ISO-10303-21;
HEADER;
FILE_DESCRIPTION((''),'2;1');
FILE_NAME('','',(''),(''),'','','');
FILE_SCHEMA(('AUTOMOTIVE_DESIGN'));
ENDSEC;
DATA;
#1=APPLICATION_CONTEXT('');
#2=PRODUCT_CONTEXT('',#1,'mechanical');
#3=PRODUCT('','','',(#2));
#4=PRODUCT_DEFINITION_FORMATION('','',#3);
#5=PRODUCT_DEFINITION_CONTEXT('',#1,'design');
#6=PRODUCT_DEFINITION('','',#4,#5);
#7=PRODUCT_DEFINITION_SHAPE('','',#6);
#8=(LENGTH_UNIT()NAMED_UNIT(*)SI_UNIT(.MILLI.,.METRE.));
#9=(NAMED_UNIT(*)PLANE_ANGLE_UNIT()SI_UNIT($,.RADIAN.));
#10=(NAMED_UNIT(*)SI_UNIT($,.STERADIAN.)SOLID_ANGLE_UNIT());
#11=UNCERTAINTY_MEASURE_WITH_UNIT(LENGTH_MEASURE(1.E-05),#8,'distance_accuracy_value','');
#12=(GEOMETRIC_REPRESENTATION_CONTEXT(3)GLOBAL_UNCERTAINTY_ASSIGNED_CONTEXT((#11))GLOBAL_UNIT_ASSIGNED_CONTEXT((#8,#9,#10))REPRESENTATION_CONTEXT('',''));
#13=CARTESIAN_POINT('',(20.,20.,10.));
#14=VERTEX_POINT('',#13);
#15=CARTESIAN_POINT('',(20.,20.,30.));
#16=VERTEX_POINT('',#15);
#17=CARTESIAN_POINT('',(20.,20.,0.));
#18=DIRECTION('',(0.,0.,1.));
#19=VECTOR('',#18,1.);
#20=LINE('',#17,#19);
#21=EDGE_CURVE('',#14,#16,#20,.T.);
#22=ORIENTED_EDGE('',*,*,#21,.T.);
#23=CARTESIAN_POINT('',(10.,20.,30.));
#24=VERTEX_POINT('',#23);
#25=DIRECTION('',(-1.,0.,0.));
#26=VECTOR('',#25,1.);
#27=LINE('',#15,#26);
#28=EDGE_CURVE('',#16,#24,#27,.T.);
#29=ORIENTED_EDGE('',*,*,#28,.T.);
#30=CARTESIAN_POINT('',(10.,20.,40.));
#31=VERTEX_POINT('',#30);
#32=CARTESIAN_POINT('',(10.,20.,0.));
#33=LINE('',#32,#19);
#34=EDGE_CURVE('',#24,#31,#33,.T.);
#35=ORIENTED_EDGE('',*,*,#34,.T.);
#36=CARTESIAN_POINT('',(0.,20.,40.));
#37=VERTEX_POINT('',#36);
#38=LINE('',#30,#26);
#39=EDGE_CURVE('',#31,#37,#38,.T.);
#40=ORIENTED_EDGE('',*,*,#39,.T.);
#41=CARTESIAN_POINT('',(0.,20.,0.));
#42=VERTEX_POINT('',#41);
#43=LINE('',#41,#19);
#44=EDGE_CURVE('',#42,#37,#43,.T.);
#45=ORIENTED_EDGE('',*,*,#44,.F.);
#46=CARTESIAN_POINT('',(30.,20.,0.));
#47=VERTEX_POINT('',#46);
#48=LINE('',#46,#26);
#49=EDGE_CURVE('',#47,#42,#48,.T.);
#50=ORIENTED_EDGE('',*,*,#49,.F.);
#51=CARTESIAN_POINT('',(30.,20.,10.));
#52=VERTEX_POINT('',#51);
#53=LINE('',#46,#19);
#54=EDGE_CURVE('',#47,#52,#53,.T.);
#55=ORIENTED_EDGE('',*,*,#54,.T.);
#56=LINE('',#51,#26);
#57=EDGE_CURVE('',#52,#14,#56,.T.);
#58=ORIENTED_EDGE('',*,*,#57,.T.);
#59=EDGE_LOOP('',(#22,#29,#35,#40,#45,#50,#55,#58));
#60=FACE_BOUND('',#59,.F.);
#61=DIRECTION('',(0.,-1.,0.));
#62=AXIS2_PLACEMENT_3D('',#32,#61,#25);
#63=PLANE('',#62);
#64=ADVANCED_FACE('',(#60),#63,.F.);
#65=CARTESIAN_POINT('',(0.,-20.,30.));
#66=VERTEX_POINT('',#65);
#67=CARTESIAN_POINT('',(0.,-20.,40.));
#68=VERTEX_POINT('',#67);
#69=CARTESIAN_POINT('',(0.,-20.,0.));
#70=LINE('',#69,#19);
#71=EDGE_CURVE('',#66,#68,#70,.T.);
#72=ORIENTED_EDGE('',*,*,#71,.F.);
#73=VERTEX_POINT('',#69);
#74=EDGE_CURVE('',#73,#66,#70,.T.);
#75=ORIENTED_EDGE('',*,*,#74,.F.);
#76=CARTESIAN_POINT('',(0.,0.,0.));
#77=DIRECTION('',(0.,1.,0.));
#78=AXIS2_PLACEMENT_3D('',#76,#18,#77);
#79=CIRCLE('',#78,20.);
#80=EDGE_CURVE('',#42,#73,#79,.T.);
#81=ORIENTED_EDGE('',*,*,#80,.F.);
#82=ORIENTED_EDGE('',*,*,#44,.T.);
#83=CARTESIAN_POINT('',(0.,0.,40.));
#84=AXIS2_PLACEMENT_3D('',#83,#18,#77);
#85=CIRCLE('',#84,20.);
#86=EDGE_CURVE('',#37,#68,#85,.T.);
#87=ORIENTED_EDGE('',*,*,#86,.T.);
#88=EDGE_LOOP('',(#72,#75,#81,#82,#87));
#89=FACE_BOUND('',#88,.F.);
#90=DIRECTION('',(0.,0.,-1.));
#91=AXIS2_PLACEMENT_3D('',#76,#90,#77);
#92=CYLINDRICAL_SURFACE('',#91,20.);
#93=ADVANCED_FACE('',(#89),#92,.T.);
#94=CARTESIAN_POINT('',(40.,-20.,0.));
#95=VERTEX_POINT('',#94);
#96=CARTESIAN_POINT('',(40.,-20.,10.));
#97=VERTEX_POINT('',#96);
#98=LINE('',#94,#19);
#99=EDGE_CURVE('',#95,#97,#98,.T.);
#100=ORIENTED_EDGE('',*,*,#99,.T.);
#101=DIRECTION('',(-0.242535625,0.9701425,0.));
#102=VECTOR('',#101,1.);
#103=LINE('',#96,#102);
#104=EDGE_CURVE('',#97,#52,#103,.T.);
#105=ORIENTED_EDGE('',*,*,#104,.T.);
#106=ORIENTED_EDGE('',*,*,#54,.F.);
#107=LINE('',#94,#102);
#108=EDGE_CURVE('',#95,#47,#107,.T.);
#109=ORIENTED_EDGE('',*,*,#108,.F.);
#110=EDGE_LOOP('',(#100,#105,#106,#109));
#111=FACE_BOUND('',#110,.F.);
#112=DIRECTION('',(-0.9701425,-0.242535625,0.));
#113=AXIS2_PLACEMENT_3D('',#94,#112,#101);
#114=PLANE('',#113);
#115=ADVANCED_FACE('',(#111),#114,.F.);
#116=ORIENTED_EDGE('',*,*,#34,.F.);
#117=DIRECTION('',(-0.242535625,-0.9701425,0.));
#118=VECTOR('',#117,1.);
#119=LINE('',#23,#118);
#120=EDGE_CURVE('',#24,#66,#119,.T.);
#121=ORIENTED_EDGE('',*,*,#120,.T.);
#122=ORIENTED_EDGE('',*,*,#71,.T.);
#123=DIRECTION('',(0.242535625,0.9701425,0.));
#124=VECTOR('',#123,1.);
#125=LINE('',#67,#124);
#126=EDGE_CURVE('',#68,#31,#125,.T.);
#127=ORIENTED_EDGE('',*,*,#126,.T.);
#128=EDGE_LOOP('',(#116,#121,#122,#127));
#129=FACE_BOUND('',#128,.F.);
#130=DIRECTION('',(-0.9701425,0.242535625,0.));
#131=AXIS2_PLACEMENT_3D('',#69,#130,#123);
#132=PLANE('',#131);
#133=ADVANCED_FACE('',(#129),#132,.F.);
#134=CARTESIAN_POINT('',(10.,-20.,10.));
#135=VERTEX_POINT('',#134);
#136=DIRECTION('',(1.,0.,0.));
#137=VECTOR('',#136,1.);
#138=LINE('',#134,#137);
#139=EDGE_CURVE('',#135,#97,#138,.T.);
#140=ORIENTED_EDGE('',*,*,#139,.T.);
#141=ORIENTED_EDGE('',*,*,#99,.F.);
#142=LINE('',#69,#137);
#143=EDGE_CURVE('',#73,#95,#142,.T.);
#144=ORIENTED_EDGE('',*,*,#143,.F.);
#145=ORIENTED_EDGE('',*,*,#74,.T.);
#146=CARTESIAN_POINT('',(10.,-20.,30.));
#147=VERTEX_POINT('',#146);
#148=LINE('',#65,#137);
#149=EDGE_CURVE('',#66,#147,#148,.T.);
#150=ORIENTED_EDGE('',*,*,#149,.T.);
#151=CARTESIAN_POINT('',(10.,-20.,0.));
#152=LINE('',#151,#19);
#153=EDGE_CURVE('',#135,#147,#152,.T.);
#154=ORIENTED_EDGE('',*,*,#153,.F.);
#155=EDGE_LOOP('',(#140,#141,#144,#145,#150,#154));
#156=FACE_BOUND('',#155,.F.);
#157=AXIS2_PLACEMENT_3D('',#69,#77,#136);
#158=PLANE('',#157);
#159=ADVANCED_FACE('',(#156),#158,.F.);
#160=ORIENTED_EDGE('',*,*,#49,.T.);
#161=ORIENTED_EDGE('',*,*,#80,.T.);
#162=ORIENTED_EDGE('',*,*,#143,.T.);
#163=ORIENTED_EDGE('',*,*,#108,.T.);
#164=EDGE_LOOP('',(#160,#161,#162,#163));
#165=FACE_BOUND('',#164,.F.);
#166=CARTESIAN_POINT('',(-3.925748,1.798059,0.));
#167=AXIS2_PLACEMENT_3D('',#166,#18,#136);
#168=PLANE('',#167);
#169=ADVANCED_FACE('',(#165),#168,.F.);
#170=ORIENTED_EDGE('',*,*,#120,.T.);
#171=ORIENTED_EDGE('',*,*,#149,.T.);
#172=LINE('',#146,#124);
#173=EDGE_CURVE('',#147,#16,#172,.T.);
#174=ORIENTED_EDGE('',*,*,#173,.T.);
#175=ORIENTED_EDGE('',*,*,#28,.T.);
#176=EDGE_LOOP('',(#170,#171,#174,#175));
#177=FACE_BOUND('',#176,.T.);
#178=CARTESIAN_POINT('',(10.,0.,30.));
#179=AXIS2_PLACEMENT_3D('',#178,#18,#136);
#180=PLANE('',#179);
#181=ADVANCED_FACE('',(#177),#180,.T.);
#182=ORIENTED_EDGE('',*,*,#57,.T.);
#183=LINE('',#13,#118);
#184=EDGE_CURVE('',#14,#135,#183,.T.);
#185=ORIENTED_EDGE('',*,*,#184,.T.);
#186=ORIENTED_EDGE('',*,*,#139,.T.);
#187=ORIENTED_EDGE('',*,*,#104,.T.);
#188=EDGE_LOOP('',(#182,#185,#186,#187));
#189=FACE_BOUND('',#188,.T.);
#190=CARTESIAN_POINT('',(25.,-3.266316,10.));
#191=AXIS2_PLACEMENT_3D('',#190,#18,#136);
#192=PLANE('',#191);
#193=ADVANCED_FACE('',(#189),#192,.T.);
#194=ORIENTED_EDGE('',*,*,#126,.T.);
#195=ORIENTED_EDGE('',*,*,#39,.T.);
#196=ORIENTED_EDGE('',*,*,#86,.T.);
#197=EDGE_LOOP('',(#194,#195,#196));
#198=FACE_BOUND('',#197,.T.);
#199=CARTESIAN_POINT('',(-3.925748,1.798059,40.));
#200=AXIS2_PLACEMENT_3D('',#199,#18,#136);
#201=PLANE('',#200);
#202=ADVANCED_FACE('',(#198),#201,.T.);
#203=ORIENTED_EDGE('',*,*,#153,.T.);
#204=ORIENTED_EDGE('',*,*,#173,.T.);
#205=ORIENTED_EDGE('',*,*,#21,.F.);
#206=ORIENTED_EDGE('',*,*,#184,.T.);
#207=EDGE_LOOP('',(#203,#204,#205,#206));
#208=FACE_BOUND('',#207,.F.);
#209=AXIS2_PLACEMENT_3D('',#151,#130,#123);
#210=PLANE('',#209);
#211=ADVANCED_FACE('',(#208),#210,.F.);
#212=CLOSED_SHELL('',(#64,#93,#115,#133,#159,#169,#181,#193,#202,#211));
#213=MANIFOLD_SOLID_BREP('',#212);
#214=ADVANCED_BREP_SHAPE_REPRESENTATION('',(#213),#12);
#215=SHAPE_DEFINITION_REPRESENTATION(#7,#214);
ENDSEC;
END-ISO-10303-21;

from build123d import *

# Parameters (mm, degrees)
F1_DEPTH = 10
F2_DEPTH = 30
F3_DEPTH = 40


with BuildPart() as f1:
    # F0 (on Top) → F1 (new body)
    with BuildSketch(Plane.XY):
        Polygon((20, 20), (10, -20), (40, -20), (30, 20), align=None)
    extrude(amount=F1_DEPTH)

    # F0 (on Top) → F2 (join)
    with BuildSketch(Plane.XY):
        Polygon((10, 20), (0, -20), (10, -20), (20, 20), align=None)
    extrude(amount=F2_DEPTH)

    # F0 (on Top) → F3 (join)
    with BuildSketch(Plane.XY):
        with BuildLine():
            Line((10, 20), (0, 20))
            ThreePointArc((0, 20), (-20, 0), (0, -20))
            Line((0, -20), (10, 20))
        make_face()
    extrude(amount=F3_DEPTH)


solid = f1.part
